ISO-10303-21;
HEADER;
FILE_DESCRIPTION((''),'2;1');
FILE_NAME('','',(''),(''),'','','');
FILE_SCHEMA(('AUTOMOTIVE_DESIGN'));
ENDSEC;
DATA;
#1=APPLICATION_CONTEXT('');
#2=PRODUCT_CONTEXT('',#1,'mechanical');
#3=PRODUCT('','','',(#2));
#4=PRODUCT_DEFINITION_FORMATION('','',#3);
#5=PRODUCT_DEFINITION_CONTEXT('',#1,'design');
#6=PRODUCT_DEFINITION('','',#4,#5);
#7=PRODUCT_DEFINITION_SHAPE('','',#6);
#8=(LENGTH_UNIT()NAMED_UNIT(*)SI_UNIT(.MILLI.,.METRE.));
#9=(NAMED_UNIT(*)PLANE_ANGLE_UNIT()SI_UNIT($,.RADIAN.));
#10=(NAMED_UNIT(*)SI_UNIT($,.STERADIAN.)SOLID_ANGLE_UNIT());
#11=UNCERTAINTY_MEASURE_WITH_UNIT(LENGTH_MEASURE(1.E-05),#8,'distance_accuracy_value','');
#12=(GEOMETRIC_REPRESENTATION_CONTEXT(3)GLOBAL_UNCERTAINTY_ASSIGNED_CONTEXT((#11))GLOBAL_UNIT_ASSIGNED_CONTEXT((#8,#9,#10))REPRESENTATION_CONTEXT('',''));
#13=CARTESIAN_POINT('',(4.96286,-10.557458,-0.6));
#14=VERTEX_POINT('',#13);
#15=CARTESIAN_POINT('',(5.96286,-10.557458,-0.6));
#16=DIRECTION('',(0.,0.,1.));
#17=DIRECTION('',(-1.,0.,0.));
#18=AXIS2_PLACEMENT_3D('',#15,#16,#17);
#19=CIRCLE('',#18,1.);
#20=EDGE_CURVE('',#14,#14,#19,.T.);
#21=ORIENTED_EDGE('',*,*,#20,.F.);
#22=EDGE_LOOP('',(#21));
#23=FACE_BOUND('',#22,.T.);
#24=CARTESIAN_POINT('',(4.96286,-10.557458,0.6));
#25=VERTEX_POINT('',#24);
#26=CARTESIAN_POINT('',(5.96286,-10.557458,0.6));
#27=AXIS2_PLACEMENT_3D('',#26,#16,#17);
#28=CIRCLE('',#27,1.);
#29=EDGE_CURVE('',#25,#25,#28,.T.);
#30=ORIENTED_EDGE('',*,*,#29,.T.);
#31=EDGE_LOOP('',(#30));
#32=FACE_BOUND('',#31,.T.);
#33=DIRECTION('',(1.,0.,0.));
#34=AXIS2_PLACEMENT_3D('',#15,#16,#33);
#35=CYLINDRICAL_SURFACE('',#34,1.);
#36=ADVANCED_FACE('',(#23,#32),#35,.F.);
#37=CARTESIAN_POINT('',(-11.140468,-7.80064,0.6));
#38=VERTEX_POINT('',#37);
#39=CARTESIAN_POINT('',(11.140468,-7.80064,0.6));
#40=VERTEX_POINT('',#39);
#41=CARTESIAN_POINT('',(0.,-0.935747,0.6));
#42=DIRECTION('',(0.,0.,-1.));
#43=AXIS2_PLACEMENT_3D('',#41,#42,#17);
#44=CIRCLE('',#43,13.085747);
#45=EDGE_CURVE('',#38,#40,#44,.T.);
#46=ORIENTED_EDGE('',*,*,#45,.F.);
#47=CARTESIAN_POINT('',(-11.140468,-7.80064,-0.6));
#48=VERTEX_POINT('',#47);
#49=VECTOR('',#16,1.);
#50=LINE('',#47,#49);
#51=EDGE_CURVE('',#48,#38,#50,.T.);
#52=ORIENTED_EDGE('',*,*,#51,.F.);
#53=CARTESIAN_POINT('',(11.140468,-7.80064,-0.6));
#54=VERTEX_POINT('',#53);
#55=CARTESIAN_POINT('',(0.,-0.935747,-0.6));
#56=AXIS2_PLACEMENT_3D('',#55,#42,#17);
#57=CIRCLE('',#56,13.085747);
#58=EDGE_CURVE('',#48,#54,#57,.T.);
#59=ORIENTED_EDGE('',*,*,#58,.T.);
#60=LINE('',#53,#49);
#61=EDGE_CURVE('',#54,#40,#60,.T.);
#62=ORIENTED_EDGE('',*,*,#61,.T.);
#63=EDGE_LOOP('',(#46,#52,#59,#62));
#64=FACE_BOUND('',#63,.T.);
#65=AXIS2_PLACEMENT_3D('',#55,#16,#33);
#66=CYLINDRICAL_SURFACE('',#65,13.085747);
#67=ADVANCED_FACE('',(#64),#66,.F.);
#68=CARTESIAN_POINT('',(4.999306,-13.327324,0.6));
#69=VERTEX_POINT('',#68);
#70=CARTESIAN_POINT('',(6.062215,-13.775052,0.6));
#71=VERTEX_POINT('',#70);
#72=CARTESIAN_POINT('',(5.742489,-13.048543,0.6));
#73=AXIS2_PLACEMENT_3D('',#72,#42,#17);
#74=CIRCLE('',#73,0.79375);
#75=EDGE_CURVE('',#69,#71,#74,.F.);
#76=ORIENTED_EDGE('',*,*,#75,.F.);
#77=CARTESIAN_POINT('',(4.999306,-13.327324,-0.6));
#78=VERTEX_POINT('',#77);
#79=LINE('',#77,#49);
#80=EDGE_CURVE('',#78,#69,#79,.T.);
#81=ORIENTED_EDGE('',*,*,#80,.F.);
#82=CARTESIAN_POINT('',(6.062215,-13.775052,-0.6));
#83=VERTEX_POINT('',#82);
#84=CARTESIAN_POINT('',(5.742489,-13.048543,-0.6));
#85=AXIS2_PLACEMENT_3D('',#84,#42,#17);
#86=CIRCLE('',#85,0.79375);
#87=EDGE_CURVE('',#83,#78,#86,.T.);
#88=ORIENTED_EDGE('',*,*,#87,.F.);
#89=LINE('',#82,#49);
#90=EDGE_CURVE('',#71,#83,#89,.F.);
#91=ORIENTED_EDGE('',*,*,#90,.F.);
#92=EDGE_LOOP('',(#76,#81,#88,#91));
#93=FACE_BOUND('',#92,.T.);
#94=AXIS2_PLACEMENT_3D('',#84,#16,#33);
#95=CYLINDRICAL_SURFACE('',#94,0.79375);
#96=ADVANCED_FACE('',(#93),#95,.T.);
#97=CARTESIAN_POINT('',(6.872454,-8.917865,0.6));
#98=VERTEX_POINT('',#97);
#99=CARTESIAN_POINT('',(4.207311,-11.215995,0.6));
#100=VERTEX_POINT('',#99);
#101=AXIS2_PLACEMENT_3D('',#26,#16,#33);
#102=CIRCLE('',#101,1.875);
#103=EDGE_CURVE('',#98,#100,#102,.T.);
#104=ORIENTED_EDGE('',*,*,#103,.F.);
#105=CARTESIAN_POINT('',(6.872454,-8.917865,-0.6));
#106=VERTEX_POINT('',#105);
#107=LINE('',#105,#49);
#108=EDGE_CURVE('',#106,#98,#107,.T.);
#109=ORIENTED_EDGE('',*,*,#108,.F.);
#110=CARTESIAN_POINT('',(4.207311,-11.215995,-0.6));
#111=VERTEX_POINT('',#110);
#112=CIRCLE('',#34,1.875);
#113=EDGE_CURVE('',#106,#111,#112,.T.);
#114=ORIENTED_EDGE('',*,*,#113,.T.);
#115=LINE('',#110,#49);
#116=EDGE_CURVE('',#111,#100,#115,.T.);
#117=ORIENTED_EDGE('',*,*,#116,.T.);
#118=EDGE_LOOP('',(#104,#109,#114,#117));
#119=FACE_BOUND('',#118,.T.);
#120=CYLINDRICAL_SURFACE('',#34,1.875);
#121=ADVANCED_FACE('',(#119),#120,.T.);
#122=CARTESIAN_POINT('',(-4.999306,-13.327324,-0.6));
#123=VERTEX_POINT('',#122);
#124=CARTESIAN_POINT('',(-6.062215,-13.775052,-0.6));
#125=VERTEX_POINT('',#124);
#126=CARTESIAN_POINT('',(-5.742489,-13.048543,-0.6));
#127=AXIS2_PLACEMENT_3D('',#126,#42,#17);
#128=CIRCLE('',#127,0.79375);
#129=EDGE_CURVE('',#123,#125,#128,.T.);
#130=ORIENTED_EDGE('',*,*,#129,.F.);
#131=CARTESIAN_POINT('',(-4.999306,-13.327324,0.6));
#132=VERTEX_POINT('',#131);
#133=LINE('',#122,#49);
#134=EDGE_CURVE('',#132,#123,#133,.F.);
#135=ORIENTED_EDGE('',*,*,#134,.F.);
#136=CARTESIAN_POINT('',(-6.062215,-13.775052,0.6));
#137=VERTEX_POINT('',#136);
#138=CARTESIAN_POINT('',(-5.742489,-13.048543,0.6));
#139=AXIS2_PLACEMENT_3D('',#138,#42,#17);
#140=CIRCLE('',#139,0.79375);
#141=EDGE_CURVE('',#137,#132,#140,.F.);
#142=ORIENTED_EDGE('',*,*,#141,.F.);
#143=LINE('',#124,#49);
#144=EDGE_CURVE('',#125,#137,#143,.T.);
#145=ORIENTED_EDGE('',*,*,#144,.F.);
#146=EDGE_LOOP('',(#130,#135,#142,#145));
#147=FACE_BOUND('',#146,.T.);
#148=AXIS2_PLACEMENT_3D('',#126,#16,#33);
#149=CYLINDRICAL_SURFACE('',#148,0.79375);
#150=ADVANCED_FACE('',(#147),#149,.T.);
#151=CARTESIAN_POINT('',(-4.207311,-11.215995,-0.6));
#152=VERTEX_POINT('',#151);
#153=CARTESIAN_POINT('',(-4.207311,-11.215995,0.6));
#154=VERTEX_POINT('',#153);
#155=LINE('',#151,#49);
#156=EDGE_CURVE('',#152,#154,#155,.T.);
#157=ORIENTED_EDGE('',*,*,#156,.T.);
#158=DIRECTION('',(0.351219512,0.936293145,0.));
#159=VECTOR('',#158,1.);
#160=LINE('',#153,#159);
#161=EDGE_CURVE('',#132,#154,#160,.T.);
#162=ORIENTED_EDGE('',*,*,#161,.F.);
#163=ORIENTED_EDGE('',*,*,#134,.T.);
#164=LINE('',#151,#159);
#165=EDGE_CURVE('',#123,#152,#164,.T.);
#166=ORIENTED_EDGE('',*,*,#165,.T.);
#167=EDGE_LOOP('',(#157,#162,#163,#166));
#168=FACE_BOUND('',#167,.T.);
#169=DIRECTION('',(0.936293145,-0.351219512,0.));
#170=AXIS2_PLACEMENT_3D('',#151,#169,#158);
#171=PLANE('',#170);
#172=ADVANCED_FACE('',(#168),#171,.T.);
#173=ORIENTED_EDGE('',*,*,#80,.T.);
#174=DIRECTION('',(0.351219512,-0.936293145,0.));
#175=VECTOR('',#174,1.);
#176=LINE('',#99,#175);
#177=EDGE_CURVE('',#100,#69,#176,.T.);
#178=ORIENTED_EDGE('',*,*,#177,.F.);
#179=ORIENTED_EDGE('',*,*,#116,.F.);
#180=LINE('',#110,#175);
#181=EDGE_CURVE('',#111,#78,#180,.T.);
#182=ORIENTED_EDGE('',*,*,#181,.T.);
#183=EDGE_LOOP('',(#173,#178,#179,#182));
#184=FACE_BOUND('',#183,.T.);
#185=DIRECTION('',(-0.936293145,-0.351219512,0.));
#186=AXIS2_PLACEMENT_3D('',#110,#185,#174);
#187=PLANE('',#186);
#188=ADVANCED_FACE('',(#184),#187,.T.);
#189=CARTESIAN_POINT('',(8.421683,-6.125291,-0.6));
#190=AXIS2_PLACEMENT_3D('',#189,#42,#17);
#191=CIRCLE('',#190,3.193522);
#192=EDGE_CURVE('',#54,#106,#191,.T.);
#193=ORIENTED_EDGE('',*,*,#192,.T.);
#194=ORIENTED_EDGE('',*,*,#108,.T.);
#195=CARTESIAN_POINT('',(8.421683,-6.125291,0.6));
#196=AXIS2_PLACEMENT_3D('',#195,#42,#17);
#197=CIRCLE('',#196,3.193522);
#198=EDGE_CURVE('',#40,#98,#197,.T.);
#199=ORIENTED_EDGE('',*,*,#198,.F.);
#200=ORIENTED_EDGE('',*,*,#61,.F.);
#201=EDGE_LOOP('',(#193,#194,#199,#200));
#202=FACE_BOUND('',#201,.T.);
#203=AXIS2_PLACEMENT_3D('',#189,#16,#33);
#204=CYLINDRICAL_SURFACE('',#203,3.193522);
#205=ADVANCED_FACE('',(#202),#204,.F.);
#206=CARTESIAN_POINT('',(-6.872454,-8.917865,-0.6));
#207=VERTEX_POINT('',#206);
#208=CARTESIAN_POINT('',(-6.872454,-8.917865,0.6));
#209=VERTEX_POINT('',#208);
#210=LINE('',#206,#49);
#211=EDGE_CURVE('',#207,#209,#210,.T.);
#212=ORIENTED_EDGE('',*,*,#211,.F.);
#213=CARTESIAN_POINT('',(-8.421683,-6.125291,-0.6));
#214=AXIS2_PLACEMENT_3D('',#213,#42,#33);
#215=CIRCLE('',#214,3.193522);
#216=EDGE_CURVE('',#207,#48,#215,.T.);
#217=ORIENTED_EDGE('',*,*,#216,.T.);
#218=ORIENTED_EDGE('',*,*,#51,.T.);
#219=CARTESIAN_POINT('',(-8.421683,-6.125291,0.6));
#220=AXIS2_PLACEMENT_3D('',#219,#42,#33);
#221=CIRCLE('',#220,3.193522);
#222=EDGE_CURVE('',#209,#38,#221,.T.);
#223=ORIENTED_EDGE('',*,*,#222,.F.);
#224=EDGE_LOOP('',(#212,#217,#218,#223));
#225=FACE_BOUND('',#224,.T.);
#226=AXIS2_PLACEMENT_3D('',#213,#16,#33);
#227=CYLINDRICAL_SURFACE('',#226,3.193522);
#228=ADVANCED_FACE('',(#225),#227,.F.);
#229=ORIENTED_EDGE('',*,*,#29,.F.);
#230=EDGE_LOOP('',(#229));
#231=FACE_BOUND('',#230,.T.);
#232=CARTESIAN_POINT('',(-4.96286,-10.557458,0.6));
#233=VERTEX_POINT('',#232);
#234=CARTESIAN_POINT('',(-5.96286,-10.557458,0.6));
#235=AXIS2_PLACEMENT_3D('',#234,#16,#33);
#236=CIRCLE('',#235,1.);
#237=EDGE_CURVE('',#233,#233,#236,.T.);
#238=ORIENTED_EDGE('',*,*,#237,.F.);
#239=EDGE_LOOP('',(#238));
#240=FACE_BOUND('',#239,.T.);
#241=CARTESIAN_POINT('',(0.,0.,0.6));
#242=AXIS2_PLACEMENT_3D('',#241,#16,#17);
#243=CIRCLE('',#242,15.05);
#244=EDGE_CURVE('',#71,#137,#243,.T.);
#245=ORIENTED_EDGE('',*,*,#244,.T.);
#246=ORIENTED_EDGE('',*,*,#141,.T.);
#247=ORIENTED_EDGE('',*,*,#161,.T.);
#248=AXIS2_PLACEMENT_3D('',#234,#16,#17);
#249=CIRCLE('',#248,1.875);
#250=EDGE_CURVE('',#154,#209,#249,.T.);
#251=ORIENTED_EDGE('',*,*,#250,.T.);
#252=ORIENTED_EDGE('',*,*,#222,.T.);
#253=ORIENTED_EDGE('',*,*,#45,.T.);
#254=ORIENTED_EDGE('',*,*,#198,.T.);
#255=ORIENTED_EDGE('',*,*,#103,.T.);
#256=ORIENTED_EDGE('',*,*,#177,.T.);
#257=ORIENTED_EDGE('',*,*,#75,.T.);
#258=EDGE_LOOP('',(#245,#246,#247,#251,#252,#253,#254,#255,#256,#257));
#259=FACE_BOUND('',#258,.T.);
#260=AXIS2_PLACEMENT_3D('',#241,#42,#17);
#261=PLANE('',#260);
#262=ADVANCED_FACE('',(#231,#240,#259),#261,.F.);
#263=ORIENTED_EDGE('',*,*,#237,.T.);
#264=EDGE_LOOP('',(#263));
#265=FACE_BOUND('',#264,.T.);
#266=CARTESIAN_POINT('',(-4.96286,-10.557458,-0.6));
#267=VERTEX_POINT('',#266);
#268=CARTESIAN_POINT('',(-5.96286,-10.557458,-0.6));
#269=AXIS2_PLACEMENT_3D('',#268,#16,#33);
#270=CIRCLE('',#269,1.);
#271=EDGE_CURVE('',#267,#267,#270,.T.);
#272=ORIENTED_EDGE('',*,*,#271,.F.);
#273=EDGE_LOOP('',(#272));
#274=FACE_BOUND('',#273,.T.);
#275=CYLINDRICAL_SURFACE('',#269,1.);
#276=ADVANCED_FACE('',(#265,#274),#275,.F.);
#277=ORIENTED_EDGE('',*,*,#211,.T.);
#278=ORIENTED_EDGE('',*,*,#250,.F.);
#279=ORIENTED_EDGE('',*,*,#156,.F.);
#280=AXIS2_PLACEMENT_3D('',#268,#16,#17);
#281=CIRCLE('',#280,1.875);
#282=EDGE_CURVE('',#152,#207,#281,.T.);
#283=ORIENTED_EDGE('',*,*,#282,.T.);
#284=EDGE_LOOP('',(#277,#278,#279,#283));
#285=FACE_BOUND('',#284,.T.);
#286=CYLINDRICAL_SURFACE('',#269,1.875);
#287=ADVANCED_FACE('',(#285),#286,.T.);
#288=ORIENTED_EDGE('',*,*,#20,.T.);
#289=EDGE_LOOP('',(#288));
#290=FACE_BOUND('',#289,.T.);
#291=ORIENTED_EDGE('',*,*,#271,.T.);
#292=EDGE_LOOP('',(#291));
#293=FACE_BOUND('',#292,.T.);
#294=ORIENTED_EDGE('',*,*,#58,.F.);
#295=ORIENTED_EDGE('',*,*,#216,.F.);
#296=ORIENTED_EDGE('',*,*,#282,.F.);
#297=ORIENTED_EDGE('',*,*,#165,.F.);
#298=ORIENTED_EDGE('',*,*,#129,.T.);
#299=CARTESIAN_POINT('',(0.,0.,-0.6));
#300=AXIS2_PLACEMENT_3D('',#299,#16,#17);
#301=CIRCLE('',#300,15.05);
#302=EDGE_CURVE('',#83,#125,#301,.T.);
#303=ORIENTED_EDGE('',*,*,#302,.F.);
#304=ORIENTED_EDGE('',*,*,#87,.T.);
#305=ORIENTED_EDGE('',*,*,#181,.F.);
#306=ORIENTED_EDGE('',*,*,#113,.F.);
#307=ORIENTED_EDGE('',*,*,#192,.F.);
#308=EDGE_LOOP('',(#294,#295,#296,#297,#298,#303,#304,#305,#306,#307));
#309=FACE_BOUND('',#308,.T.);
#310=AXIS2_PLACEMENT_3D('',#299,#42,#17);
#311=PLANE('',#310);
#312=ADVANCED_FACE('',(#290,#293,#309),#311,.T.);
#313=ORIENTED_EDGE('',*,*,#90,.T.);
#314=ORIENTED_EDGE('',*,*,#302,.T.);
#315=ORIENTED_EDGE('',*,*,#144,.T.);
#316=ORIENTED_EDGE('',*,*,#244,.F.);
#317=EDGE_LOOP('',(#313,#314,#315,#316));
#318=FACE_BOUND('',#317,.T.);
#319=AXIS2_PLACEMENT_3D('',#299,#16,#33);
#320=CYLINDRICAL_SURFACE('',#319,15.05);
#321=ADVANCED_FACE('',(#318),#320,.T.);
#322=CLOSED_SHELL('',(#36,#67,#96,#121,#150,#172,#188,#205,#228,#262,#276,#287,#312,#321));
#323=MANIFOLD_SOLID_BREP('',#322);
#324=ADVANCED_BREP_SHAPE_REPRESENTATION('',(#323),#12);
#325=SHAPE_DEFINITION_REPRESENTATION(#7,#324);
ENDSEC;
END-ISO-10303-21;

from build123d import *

# Parameters (mm, degrees)
SKETCH3_R                = 1
BOSS_EXTRUDE1_DEPTH      = 0.6
BOSS_EXTRUDE1_DEPTH_BACK = 0.6
FILLET1_R                = 0.79375


with BuildPart() as part:
    # Sketch3 → Boss-Extrude1 (new body, two sides)
    with BuildSketch(Plane.XY) as boss_extrude1_sk:
        with BuildLine():
            Line((-4.20731071, -11.215994677), (-5.285853659, -14.091211839))
            ThreePointArc((-5.285853659, -14.091211839), (0, 15.05), (5.285853659, -14.091211839))
            Line((5.285853659, -14.091211839), (4.20731071, -11.215994677))
            ThreePointArc((4.20731071, -11.215994677), (4.738417429, -9.137470587), (6.87245355, -8.917865085))
            ThreePointArc((6.87245355, -8.917865085), (9.230393871, -9.214719738), (11.140467802, -7.800639534))
            ThreePointArc((11.140467802, -7.800639534), (0, 12.15), (-11.140467802, -7.800639534))
            ThreePointArc((-11.140467802, -7.800639534), (-9.230393871, -9.214719738), (-6.87245355, -8.917865085))
            ThreePointArc((-6.87245355, -8.917865085), (-4.738417429, -9.137470587), (-4.20731071, -11.215994677))
        make_face()
        with Locations((-5.962860358, -10.557458091)):
            Circle(SKETCH3_R, mode=Mode.SUBTRACT)
        with Locations((5.962860358, -10.557458091)):
            Circle(SKETCH3_R, mode=Mode.SUBTRACT)
    extrude(amount=BOSS_EXTRUDE1_DEPTH)
    extrude(boss_extrude1_sk.sketch, amount=-BOSS_EXTRUDE1_DEPTH_BACK)

    # Fillet1
    fillet1_edges = [part.edges().sort_by_distance(p)[0] for p in [
        (5.285853659, -14.091211839, 0),
        (-5.285853659, -14.091211839, 0),
    ]]
    fillet(fillet1_edges, radius=FILLET1_R)


solid = part.part
